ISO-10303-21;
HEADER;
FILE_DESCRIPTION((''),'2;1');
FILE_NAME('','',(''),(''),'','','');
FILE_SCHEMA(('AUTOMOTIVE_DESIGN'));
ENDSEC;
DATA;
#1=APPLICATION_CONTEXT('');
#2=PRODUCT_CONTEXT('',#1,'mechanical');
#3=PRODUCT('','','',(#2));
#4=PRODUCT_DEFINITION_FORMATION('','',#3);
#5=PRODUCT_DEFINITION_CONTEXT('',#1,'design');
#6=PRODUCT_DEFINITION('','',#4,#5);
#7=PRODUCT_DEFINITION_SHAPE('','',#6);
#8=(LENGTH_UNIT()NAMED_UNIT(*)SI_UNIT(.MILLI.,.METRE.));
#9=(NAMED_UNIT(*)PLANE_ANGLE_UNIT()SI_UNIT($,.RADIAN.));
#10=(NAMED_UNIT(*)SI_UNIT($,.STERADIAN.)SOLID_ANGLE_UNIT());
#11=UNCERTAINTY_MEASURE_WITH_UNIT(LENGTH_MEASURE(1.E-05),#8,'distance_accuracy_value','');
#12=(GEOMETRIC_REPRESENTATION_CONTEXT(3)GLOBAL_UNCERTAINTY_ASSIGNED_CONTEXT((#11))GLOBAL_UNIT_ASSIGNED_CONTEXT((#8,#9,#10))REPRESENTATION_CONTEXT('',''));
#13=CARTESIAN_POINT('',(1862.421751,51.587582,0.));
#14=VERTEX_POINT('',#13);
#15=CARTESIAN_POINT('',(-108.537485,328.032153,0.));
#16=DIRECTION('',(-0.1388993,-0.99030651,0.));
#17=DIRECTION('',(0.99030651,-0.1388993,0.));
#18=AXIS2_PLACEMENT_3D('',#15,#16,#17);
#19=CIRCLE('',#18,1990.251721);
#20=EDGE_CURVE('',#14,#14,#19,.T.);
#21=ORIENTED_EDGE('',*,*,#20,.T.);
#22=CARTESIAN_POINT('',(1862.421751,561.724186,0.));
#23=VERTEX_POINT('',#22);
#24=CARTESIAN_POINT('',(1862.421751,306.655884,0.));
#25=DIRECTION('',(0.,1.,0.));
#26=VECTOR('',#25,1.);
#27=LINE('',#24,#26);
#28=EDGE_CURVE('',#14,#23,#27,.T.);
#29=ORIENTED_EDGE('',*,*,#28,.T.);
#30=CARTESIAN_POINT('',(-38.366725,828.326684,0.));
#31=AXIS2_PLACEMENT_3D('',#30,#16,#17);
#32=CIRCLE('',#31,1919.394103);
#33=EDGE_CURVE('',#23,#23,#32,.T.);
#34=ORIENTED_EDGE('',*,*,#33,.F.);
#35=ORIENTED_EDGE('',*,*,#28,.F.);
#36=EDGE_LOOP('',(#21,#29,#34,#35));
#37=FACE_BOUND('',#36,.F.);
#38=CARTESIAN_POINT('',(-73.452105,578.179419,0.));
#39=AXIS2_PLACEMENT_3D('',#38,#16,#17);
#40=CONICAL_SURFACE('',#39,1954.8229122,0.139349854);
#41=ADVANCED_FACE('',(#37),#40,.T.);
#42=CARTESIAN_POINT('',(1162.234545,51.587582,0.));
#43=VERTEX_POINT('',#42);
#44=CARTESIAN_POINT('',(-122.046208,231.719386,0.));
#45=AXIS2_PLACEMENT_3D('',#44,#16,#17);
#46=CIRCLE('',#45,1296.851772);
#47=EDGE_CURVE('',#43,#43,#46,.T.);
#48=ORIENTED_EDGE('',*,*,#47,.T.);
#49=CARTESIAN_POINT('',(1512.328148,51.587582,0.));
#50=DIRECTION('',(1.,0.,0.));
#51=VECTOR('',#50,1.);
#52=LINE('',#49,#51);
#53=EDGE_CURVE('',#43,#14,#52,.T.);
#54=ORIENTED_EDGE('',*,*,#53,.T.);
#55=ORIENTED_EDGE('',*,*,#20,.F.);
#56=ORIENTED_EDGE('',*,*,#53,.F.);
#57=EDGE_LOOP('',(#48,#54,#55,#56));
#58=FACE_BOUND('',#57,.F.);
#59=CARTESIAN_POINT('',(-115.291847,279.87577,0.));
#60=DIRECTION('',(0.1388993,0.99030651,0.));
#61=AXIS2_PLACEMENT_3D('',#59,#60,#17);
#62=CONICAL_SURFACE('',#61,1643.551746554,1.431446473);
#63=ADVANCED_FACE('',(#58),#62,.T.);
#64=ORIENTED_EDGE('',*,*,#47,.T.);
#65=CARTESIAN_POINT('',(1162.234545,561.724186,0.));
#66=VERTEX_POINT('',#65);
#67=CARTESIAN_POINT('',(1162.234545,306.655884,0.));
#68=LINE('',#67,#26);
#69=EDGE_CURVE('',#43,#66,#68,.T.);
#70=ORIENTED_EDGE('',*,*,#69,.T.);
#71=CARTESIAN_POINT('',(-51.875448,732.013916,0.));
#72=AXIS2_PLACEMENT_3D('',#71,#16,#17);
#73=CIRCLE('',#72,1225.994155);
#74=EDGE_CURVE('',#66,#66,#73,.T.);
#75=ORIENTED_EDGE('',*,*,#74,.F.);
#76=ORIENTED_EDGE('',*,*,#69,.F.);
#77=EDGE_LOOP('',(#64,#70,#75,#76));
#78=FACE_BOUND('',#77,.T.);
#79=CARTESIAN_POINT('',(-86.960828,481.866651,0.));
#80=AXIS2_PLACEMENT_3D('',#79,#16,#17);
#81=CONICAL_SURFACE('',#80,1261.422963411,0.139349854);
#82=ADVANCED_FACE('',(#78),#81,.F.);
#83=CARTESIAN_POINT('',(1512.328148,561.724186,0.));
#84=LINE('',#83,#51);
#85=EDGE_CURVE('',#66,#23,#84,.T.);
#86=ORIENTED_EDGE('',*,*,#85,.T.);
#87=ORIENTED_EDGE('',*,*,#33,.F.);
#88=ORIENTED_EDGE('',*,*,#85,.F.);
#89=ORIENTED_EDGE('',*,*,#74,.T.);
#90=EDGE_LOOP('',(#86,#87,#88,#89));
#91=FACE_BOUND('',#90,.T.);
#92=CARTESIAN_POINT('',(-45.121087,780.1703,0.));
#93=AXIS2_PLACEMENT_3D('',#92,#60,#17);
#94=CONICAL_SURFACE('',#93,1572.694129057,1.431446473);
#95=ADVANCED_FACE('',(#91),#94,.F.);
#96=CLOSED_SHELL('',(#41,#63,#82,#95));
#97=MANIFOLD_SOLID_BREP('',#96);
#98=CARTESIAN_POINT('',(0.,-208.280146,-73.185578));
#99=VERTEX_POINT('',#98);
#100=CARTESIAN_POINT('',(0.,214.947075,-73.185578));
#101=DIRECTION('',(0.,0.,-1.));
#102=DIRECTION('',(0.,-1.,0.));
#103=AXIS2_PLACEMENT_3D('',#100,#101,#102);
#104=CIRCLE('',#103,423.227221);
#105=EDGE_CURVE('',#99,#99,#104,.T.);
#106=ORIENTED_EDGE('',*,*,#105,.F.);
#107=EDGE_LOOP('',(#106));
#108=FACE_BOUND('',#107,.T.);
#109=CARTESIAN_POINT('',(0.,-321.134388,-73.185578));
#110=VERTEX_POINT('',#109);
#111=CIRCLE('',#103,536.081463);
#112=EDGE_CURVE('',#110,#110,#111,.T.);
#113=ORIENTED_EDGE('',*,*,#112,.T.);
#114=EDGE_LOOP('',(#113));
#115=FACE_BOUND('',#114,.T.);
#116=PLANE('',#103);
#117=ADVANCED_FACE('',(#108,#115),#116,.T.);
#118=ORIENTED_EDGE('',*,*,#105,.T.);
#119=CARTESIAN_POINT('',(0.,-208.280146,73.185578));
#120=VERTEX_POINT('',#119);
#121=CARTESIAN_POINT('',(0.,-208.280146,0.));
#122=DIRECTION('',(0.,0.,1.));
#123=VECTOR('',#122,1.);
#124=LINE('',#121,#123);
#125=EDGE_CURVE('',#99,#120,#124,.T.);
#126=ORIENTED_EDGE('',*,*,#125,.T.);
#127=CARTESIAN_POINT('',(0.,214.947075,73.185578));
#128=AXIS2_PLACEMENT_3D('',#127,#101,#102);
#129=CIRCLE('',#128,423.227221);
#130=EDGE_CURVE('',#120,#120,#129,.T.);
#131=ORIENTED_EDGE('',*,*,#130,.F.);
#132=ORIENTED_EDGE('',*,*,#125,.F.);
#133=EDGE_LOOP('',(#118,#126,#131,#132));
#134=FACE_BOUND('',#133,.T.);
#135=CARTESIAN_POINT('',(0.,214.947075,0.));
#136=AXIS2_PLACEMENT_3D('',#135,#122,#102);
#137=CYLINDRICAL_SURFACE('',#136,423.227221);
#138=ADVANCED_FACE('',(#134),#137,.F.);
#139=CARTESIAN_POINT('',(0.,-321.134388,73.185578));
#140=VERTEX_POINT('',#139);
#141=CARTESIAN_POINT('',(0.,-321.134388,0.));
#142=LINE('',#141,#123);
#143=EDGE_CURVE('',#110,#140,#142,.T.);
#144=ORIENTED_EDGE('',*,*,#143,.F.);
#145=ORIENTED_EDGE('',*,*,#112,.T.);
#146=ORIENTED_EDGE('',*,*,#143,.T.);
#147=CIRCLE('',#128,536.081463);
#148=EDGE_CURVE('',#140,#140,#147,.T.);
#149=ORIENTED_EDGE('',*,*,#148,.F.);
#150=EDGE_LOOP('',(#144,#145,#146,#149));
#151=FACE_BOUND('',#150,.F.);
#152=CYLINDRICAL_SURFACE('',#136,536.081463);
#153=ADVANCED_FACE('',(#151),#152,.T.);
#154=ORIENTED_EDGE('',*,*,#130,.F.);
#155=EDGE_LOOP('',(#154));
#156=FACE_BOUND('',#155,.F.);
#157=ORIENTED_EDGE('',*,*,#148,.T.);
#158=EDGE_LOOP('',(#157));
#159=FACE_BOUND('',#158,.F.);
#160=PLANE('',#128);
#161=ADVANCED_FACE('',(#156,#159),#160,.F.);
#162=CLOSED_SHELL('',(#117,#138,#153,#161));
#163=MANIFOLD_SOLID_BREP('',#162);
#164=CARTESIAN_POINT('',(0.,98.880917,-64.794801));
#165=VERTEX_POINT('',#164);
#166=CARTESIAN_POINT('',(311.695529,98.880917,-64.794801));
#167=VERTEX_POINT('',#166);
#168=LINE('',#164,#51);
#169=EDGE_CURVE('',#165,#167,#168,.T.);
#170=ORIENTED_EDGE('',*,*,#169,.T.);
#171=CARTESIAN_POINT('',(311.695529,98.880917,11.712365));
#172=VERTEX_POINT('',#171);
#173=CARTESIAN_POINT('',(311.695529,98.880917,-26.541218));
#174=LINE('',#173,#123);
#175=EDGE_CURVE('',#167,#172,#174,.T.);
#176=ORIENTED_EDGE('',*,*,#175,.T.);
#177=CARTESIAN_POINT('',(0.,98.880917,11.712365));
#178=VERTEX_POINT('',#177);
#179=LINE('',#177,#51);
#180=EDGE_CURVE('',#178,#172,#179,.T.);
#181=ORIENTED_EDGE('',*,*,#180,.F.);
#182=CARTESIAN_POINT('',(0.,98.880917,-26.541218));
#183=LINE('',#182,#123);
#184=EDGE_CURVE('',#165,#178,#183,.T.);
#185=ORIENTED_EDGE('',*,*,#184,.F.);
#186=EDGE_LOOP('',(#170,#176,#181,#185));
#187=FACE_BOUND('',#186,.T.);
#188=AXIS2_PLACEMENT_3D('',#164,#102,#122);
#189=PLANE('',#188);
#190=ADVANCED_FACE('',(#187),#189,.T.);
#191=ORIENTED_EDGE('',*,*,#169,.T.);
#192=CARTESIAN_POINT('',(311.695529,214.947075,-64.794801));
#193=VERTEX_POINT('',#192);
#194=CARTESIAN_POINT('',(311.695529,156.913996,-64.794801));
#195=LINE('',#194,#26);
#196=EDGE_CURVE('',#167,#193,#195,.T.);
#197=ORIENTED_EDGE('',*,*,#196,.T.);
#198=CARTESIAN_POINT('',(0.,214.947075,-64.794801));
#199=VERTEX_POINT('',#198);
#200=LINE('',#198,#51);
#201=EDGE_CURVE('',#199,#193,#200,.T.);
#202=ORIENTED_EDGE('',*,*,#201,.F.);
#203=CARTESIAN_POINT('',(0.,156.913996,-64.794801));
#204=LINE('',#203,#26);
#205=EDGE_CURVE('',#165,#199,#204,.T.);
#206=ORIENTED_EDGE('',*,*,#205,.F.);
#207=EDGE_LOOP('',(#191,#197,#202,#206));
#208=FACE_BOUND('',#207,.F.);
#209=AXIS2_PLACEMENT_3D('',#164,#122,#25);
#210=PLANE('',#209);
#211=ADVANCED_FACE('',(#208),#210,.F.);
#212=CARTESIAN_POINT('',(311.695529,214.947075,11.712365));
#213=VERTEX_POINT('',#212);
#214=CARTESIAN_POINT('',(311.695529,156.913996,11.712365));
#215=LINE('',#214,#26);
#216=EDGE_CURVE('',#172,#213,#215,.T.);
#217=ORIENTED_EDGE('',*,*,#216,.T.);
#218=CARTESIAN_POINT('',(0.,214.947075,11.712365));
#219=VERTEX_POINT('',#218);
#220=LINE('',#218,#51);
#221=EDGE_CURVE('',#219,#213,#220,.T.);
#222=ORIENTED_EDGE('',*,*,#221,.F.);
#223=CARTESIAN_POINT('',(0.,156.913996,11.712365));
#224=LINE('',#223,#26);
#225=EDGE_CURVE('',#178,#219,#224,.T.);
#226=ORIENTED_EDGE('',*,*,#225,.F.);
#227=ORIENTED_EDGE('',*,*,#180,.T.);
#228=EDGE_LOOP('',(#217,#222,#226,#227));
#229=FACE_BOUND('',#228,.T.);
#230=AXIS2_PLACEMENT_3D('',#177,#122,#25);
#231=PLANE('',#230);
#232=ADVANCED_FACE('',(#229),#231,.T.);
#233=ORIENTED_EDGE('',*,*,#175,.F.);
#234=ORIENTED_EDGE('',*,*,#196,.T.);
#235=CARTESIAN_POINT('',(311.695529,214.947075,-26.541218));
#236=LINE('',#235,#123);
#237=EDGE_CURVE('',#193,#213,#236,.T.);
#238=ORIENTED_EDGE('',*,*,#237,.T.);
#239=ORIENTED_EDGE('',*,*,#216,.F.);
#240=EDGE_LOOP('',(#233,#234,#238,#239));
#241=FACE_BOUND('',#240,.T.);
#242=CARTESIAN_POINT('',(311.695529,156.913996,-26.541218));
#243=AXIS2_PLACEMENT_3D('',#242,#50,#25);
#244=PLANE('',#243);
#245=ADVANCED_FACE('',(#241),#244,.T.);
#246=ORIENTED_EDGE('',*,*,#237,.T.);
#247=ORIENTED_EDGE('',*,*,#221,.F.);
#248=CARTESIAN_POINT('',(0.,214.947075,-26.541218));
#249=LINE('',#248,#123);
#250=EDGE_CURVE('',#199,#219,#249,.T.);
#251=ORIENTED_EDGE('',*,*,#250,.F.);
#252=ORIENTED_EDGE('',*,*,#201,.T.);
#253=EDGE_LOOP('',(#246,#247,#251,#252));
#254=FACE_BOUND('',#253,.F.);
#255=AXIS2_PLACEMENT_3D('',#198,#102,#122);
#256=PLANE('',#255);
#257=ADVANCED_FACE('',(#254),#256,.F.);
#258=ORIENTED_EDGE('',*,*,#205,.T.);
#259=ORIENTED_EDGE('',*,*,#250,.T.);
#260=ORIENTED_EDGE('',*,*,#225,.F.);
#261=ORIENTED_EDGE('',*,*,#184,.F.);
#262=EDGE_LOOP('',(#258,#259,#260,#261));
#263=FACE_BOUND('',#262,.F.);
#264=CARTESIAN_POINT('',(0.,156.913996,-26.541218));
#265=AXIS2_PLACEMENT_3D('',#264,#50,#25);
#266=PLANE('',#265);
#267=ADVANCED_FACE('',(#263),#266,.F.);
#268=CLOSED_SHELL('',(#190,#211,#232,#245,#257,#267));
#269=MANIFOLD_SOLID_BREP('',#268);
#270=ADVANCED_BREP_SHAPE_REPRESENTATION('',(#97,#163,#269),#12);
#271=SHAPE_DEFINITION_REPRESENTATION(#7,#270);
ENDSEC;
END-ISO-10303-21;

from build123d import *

# Parameters (mm, degrees)
F0_W     = 116.0661578178
F0_H     = 76.507166028
F2_DEPTH = 311.695529148
F3_W     = 112.8542423248
F3_H     = 146.3711559772
F5_W     = 700.1872062683
F5_H     = 510.1366043091


with BuildPart() as f2:
    # F0 (on Right) → F2 (new body)
    with BuildSketch(Plane.YZ):
        with Locations((156.9139957428, -26.5412181616)):
            Rectangle(F0_W, F0_H)
    extrude(amount=F2_DEPTH)


with BuildPart() as f4:
    # F3 (on Right) → F4 (revolve)
    with BuildSketch(Plane.YZ):
        with Locations((-264.7072672844, 0)):
            Rectangle(F3_W, F3_H)
    revolve(axis=Axis((0, 214.9470746517, -26.5412181616), (0, 0, -1)))


with BuildPart() as f6:
    # F5 (on Top) → F6 (revolve)
    with BuildSketch(Plane.XY):
        with Locations((1512.3281478882, 306.6558837891)):
            Rectangle(F5_W, F5_H)
    revolve(axis=Axis((-124.8612999916, 211.6487026215, 0), (-0.1388993005, -0.9903065103, 0)))


solid = Compound([f2.part, f4.part, f6.part])
